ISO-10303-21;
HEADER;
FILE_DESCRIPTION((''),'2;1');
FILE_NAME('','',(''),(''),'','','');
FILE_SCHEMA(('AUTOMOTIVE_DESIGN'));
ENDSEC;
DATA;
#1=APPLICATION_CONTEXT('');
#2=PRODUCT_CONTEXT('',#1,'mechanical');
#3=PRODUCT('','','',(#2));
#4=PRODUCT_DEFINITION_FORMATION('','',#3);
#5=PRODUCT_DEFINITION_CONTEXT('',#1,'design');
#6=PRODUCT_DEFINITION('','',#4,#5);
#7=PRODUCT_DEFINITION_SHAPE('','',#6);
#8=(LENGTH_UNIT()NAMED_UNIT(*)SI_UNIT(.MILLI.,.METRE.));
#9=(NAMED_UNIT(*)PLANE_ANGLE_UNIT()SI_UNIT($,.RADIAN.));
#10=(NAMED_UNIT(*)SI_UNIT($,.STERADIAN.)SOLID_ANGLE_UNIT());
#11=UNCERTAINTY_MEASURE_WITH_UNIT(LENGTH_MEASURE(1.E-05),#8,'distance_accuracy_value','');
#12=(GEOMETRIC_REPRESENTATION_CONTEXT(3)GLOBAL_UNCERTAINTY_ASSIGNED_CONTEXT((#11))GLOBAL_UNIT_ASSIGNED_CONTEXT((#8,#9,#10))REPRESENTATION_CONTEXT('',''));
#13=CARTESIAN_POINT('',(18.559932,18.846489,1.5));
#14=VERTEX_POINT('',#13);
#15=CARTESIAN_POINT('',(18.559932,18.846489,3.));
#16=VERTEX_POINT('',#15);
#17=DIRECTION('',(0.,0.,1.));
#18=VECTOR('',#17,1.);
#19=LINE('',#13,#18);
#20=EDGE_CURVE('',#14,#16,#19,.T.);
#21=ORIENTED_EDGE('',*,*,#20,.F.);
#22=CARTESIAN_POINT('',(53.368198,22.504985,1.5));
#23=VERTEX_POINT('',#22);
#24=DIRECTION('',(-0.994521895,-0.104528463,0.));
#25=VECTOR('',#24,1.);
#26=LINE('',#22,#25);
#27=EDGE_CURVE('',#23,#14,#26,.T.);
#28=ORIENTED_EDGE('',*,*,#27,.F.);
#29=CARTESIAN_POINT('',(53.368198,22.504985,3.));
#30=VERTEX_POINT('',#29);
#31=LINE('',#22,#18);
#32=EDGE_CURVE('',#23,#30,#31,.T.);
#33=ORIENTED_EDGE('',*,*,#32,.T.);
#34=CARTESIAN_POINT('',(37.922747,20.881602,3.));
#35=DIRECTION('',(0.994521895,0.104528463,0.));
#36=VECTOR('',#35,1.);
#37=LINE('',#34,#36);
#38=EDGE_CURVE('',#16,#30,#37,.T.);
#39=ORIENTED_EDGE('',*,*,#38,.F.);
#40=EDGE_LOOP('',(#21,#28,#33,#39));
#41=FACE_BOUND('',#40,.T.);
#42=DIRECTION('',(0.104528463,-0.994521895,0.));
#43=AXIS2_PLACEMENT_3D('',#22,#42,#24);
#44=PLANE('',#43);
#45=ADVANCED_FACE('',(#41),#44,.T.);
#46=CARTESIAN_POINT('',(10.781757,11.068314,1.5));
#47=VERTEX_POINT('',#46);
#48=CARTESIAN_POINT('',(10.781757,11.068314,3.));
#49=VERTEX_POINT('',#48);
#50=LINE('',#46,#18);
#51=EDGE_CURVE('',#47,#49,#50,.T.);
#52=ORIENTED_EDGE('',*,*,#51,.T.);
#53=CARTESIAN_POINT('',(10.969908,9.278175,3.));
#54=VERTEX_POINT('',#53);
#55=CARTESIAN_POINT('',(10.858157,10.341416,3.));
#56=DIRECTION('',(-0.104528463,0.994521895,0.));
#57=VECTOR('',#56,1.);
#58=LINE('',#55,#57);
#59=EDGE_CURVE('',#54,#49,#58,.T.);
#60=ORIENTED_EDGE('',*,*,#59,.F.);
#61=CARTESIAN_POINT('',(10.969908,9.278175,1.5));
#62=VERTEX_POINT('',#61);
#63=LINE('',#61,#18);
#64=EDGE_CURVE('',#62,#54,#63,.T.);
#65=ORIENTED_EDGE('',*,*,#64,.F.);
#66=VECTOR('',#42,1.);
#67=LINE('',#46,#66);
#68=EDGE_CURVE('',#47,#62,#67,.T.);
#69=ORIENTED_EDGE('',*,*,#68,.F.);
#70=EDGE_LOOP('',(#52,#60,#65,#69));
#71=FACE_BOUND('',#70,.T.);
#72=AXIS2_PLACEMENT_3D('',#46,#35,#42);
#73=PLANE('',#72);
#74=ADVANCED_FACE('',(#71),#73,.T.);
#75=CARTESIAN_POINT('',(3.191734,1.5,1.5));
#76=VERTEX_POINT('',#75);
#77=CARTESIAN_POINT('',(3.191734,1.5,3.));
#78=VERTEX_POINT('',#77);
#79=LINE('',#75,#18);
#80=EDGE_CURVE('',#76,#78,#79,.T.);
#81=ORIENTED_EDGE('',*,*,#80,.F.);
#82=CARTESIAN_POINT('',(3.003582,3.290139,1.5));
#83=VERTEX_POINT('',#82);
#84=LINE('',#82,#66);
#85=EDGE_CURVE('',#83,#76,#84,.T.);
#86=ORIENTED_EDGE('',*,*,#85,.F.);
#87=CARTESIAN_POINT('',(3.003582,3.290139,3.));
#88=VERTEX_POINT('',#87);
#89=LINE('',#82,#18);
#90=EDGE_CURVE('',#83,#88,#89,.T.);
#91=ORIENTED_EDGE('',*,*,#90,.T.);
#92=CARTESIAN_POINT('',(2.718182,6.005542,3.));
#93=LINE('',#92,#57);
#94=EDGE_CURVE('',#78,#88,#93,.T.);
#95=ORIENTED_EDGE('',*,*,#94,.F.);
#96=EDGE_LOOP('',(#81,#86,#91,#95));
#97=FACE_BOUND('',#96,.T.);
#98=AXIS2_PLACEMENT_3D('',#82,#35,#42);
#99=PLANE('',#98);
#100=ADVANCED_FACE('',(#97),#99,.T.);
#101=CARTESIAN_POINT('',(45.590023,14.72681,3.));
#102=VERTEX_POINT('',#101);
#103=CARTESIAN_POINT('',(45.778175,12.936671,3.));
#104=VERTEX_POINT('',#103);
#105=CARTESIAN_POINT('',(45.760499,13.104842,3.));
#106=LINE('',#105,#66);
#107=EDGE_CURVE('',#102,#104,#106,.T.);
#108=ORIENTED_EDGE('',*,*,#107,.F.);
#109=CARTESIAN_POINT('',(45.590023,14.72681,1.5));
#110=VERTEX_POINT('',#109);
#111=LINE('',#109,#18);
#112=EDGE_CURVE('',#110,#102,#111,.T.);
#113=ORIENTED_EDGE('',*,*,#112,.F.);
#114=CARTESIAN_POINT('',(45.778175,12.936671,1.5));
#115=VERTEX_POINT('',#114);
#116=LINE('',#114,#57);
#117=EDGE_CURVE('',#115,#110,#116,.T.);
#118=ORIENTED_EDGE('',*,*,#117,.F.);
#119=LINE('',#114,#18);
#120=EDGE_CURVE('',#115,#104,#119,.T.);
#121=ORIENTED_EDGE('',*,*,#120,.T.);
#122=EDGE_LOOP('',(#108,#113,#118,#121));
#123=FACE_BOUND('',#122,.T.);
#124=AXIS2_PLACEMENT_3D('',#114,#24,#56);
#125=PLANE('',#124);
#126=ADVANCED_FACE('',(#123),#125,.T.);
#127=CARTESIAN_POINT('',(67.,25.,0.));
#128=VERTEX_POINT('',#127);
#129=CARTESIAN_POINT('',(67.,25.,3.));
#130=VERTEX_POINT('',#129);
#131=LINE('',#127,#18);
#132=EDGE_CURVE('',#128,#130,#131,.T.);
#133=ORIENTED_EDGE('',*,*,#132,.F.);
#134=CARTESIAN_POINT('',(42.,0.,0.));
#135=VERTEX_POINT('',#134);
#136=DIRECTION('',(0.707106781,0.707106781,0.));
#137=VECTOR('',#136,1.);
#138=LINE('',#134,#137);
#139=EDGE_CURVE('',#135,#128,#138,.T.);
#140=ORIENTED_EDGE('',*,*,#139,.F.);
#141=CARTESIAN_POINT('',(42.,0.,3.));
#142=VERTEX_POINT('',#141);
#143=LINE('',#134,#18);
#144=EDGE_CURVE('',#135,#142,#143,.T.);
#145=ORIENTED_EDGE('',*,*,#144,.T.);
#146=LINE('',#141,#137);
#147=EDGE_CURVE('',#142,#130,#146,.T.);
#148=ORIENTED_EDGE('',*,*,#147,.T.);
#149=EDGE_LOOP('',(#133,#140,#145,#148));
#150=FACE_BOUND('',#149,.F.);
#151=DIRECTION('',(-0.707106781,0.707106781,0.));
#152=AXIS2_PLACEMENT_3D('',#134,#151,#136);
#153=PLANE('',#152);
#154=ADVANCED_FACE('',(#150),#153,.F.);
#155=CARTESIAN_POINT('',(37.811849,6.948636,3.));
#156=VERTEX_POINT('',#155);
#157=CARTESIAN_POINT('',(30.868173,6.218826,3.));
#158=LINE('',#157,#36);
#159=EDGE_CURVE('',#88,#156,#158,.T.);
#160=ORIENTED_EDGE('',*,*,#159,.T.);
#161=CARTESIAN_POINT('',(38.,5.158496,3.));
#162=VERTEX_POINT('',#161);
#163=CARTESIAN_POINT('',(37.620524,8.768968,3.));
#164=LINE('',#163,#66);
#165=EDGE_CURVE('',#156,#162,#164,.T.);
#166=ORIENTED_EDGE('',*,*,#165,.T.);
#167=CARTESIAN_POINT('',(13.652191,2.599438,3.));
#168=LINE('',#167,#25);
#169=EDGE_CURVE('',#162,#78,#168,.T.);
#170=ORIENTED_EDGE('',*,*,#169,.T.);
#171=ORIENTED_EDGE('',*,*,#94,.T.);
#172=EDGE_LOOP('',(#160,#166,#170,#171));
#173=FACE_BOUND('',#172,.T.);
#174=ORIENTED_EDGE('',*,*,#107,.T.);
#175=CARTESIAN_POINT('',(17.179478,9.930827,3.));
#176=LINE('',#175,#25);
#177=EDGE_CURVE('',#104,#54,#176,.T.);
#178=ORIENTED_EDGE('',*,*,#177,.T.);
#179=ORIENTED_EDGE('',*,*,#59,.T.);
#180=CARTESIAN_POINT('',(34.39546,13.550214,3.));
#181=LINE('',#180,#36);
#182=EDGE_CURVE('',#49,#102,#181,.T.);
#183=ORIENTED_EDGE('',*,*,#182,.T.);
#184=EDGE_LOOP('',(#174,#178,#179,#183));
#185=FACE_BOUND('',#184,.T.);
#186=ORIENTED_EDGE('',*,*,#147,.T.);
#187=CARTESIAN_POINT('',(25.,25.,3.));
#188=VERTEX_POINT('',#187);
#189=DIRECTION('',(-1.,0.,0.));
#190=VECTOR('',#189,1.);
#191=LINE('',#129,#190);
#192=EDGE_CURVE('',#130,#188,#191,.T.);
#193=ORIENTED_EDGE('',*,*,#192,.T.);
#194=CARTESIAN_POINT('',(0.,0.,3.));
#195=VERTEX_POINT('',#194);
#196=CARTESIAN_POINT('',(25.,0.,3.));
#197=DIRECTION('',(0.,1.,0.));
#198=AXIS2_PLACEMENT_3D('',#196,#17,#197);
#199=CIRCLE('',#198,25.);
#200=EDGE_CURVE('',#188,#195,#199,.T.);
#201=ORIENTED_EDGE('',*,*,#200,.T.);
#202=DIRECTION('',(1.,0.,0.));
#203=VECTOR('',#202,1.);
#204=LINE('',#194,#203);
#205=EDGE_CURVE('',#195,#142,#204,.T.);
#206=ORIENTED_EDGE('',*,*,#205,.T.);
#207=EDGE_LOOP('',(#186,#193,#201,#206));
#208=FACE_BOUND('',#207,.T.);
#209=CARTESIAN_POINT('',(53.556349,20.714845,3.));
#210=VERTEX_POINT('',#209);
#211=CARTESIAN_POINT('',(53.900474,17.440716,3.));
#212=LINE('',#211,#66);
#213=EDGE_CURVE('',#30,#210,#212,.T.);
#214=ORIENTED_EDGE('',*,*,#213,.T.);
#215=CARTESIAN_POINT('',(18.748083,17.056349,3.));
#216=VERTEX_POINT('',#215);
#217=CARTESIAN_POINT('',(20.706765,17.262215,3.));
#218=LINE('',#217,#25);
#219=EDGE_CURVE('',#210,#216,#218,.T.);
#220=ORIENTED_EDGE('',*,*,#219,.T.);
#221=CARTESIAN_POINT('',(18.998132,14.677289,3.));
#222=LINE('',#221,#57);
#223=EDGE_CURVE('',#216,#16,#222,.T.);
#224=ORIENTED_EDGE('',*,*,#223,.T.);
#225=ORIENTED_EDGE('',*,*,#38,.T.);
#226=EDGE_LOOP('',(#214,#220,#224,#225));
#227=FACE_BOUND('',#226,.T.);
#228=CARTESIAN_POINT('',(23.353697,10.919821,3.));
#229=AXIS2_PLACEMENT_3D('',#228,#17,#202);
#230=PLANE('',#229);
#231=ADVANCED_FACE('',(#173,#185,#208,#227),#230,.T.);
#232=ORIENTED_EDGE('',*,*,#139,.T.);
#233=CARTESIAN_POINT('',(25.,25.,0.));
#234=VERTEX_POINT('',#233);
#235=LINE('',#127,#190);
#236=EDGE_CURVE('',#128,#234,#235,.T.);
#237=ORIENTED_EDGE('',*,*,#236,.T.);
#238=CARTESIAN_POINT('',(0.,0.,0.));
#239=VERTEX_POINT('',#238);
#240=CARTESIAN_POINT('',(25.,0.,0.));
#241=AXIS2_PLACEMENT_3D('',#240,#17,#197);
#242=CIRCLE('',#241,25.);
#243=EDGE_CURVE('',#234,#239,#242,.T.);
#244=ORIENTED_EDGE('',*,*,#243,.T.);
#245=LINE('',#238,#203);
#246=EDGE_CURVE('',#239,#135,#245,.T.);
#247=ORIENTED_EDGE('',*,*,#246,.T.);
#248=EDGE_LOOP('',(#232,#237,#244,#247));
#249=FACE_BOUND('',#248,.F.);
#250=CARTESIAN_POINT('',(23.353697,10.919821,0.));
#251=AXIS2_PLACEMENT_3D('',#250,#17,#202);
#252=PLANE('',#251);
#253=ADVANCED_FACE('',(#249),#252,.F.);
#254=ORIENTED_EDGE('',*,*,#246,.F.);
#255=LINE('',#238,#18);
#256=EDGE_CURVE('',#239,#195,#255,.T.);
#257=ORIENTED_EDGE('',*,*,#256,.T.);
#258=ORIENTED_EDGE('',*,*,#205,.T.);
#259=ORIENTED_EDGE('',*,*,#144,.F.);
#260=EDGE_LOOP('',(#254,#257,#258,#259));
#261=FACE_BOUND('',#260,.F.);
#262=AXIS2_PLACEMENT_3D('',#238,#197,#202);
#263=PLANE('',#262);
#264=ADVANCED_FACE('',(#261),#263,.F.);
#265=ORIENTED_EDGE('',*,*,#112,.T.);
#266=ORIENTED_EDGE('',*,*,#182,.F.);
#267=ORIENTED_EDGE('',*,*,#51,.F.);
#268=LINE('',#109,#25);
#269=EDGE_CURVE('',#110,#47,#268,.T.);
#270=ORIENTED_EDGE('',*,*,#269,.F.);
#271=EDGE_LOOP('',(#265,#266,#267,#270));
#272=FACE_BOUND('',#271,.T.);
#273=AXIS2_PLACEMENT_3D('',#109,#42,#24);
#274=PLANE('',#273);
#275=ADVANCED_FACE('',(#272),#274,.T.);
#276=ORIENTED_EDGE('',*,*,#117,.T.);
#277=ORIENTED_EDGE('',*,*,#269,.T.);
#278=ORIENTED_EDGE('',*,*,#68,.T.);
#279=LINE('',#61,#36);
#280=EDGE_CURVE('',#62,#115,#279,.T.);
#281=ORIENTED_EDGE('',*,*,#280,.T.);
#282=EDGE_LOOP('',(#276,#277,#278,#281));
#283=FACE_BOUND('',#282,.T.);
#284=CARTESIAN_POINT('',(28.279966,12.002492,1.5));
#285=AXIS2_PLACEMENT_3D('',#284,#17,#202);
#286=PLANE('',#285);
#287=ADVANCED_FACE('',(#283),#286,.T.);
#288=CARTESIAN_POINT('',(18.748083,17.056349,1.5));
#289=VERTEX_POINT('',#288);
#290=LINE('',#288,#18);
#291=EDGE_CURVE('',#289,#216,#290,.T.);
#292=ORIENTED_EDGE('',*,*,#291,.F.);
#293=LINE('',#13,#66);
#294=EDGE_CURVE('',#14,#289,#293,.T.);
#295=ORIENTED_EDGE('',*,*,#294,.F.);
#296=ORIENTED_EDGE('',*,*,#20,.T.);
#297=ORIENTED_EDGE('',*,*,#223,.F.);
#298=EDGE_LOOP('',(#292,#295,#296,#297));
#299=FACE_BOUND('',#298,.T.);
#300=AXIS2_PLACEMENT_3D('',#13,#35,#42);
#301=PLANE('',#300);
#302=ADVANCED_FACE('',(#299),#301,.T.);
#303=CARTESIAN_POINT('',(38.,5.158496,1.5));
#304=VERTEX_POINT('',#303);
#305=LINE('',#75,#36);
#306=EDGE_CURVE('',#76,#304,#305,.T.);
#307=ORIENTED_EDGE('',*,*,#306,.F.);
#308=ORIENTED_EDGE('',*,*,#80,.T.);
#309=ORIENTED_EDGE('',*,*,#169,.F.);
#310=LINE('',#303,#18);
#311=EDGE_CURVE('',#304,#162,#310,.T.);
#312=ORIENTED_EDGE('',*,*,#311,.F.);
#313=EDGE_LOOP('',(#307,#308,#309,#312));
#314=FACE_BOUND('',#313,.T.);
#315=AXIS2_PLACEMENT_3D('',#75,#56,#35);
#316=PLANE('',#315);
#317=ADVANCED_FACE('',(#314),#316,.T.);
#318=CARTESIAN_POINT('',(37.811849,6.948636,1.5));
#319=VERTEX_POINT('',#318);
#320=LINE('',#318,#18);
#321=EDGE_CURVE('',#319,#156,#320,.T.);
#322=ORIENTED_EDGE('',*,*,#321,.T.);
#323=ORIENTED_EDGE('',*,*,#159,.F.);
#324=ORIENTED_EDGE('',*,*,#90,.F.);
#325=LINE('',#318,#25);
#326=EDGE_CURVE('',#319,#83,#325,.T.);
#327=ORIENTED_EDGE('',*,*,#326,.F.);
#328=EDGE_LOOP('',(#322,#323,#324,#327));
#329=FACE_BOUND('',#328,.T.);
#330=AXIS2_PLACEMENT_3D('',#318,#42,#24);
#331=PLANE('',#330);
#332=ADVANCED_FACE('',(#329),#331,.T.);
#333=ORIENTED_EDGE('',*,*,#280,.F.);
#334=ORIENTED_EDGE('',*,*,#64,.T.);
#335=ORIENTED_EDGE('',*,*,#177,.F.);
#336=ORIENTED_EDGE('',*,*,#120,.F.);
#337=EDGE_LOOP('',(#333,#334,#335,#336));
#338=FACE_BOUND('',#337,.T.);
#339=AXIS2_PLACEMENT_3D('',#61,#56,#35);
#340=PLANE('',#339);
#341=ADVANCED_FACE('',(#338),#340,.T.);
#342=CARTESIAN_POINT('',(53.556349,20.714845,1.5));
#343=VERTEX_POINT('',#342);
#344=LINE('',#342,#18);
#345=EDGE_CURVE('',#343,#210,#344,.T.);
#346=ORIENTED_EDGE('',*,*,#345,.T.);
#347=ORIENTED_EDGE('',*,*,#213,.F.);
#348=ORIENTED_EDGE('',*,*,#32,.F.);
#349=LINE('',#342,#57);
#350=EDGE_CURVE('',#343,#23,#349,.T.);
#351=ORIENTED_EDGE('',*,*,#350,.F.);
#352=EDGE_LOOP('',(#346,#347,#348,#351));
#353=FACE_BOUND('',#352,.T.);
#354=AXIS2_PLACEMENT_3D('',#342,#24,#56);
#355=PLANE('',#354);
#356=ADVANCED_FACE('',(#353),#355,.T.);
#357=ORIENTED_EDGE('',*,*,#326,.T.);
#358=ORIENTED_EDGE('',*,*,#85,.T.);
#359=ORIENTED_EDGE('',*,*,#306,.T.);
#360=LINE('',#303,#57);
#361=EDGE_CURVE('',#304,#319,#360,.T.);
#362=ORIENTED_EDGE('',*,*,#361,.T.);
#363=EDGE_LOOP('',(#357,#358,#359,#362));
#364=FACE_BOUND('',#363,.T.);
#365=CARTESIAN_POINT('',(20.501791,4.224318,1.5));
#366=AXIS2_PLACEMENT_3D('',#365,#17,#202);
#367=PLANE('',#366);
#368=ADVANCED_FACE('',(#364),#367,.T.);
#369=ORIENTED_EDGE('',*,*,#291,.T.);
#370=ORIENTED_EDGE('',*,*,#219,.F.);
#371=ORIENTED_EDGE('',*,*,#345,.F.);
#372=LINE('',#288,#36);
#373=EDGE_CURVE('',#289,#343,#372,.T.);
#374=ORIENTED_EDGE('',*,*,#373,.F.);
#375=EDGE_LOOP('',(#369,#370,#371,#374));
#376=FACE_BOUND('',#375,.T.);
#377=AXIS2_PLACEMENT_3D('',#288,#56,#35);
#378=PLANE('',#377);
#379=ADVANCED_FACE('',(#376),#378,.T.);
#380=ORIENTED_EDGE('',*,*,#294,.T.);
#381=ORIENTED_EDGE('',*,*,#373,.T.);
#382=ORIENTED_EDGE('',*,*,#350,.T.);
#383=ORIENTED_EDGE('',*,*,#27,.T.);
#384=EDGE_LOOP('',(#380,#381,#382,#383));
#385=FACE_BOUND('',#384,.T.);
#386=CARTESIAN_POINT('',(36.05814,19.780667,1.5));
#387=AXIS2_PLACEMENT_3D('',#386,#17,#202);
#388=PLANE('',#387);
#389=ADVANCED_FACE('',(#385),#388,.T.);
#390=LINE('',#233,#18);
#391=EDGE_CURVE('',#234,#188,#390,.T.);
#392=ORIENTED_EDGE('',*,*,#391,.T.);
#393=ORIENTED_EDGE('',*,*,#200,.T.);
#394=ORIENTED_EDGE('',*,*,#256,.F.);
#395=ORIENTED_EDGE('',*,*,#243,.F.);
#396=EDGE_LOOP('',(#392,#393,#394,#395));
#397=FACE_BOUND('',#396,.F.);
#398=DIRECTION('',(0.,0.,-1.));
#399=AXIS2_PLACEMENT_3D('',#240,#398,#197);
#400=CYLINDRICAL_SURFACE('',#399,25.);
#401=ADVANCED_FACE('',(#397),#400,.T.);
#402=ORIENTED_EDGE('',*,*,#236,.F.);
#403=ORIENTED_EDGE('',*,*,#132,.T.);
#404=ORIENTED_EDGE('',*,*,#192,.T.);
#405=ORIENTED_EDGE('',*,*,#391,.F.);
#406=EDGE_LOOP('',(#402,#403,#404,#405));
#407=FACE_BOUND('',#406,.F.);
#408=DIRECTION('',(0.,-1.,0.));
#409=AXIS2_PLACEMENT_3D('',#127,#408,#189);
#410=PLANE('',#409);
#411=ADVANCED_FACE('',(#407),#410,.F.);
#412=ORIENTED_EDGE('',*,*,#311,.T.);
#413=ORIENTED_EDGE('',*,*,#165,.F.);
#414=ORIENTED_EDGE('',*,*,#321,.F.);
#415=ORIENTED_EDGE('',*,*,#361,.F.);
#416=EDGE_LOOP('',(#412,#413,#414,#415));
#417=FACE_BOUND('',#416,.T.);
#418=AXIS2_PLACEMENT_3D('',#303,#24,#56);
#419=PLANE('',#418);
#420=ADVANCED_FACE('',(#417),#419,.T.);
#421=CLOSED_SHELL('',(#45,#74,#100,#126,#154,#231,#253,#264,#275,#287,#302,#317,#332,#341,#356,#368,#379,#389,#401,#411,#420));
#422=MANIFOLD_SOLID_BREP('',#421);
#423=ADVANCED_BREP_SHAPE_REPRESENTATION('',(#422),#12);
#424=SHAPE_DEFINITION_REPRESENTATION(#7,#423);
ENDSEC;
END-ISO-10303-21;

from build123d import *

# Parameters (mm, degrees)
F1_DEPTH = 3
F3_START = 1.5
F3_DEPTH = 158.5


with BuildPart() as f1:
    # F0 (on Top) → F1 (new body)
    with BuildSketch(Plane.XY):
        with BuildLine():
            ThreePointArc((25, 25), (7.3223304703, 17.6776695297), (0, 0))
            Line((0, 0), (42, 0))
            Line((42, 0), (42, 25))
            Line((42, 25), (25, 25))
        make_face()
        Polygon((42, 25), (42, 0), (67, 25), align=None)
    extrude(amount=F1_DEPTH)

    # F2 (on Top) → F3 (cut)
    with BuildSketch(Plane.XY.offset(F3_START)):
        Polygon((3.0035824282, 3.2901394117), (3.1917336621, 1.5), (38, 5.1584962144), (37.8118487661, 6.948635626), align=None)
        Polygon((10.7817570213, 11.0683140047), (10.9699082552, 9.2781745931), (45.7781745931, 12.9366708074), (45.5900233592, 14.7268102191), align=None)
        Polygon((18.5599316143, 18.8464885978), (18.7480828482, 17.0563491861), (53.5563491861, 20.7148454005), (53.3681979522, 22.5049848121), align=None)
    extrude(amount=F3_DEPTH, mode=Mode.SUBTRACT)


solid = f1.part
